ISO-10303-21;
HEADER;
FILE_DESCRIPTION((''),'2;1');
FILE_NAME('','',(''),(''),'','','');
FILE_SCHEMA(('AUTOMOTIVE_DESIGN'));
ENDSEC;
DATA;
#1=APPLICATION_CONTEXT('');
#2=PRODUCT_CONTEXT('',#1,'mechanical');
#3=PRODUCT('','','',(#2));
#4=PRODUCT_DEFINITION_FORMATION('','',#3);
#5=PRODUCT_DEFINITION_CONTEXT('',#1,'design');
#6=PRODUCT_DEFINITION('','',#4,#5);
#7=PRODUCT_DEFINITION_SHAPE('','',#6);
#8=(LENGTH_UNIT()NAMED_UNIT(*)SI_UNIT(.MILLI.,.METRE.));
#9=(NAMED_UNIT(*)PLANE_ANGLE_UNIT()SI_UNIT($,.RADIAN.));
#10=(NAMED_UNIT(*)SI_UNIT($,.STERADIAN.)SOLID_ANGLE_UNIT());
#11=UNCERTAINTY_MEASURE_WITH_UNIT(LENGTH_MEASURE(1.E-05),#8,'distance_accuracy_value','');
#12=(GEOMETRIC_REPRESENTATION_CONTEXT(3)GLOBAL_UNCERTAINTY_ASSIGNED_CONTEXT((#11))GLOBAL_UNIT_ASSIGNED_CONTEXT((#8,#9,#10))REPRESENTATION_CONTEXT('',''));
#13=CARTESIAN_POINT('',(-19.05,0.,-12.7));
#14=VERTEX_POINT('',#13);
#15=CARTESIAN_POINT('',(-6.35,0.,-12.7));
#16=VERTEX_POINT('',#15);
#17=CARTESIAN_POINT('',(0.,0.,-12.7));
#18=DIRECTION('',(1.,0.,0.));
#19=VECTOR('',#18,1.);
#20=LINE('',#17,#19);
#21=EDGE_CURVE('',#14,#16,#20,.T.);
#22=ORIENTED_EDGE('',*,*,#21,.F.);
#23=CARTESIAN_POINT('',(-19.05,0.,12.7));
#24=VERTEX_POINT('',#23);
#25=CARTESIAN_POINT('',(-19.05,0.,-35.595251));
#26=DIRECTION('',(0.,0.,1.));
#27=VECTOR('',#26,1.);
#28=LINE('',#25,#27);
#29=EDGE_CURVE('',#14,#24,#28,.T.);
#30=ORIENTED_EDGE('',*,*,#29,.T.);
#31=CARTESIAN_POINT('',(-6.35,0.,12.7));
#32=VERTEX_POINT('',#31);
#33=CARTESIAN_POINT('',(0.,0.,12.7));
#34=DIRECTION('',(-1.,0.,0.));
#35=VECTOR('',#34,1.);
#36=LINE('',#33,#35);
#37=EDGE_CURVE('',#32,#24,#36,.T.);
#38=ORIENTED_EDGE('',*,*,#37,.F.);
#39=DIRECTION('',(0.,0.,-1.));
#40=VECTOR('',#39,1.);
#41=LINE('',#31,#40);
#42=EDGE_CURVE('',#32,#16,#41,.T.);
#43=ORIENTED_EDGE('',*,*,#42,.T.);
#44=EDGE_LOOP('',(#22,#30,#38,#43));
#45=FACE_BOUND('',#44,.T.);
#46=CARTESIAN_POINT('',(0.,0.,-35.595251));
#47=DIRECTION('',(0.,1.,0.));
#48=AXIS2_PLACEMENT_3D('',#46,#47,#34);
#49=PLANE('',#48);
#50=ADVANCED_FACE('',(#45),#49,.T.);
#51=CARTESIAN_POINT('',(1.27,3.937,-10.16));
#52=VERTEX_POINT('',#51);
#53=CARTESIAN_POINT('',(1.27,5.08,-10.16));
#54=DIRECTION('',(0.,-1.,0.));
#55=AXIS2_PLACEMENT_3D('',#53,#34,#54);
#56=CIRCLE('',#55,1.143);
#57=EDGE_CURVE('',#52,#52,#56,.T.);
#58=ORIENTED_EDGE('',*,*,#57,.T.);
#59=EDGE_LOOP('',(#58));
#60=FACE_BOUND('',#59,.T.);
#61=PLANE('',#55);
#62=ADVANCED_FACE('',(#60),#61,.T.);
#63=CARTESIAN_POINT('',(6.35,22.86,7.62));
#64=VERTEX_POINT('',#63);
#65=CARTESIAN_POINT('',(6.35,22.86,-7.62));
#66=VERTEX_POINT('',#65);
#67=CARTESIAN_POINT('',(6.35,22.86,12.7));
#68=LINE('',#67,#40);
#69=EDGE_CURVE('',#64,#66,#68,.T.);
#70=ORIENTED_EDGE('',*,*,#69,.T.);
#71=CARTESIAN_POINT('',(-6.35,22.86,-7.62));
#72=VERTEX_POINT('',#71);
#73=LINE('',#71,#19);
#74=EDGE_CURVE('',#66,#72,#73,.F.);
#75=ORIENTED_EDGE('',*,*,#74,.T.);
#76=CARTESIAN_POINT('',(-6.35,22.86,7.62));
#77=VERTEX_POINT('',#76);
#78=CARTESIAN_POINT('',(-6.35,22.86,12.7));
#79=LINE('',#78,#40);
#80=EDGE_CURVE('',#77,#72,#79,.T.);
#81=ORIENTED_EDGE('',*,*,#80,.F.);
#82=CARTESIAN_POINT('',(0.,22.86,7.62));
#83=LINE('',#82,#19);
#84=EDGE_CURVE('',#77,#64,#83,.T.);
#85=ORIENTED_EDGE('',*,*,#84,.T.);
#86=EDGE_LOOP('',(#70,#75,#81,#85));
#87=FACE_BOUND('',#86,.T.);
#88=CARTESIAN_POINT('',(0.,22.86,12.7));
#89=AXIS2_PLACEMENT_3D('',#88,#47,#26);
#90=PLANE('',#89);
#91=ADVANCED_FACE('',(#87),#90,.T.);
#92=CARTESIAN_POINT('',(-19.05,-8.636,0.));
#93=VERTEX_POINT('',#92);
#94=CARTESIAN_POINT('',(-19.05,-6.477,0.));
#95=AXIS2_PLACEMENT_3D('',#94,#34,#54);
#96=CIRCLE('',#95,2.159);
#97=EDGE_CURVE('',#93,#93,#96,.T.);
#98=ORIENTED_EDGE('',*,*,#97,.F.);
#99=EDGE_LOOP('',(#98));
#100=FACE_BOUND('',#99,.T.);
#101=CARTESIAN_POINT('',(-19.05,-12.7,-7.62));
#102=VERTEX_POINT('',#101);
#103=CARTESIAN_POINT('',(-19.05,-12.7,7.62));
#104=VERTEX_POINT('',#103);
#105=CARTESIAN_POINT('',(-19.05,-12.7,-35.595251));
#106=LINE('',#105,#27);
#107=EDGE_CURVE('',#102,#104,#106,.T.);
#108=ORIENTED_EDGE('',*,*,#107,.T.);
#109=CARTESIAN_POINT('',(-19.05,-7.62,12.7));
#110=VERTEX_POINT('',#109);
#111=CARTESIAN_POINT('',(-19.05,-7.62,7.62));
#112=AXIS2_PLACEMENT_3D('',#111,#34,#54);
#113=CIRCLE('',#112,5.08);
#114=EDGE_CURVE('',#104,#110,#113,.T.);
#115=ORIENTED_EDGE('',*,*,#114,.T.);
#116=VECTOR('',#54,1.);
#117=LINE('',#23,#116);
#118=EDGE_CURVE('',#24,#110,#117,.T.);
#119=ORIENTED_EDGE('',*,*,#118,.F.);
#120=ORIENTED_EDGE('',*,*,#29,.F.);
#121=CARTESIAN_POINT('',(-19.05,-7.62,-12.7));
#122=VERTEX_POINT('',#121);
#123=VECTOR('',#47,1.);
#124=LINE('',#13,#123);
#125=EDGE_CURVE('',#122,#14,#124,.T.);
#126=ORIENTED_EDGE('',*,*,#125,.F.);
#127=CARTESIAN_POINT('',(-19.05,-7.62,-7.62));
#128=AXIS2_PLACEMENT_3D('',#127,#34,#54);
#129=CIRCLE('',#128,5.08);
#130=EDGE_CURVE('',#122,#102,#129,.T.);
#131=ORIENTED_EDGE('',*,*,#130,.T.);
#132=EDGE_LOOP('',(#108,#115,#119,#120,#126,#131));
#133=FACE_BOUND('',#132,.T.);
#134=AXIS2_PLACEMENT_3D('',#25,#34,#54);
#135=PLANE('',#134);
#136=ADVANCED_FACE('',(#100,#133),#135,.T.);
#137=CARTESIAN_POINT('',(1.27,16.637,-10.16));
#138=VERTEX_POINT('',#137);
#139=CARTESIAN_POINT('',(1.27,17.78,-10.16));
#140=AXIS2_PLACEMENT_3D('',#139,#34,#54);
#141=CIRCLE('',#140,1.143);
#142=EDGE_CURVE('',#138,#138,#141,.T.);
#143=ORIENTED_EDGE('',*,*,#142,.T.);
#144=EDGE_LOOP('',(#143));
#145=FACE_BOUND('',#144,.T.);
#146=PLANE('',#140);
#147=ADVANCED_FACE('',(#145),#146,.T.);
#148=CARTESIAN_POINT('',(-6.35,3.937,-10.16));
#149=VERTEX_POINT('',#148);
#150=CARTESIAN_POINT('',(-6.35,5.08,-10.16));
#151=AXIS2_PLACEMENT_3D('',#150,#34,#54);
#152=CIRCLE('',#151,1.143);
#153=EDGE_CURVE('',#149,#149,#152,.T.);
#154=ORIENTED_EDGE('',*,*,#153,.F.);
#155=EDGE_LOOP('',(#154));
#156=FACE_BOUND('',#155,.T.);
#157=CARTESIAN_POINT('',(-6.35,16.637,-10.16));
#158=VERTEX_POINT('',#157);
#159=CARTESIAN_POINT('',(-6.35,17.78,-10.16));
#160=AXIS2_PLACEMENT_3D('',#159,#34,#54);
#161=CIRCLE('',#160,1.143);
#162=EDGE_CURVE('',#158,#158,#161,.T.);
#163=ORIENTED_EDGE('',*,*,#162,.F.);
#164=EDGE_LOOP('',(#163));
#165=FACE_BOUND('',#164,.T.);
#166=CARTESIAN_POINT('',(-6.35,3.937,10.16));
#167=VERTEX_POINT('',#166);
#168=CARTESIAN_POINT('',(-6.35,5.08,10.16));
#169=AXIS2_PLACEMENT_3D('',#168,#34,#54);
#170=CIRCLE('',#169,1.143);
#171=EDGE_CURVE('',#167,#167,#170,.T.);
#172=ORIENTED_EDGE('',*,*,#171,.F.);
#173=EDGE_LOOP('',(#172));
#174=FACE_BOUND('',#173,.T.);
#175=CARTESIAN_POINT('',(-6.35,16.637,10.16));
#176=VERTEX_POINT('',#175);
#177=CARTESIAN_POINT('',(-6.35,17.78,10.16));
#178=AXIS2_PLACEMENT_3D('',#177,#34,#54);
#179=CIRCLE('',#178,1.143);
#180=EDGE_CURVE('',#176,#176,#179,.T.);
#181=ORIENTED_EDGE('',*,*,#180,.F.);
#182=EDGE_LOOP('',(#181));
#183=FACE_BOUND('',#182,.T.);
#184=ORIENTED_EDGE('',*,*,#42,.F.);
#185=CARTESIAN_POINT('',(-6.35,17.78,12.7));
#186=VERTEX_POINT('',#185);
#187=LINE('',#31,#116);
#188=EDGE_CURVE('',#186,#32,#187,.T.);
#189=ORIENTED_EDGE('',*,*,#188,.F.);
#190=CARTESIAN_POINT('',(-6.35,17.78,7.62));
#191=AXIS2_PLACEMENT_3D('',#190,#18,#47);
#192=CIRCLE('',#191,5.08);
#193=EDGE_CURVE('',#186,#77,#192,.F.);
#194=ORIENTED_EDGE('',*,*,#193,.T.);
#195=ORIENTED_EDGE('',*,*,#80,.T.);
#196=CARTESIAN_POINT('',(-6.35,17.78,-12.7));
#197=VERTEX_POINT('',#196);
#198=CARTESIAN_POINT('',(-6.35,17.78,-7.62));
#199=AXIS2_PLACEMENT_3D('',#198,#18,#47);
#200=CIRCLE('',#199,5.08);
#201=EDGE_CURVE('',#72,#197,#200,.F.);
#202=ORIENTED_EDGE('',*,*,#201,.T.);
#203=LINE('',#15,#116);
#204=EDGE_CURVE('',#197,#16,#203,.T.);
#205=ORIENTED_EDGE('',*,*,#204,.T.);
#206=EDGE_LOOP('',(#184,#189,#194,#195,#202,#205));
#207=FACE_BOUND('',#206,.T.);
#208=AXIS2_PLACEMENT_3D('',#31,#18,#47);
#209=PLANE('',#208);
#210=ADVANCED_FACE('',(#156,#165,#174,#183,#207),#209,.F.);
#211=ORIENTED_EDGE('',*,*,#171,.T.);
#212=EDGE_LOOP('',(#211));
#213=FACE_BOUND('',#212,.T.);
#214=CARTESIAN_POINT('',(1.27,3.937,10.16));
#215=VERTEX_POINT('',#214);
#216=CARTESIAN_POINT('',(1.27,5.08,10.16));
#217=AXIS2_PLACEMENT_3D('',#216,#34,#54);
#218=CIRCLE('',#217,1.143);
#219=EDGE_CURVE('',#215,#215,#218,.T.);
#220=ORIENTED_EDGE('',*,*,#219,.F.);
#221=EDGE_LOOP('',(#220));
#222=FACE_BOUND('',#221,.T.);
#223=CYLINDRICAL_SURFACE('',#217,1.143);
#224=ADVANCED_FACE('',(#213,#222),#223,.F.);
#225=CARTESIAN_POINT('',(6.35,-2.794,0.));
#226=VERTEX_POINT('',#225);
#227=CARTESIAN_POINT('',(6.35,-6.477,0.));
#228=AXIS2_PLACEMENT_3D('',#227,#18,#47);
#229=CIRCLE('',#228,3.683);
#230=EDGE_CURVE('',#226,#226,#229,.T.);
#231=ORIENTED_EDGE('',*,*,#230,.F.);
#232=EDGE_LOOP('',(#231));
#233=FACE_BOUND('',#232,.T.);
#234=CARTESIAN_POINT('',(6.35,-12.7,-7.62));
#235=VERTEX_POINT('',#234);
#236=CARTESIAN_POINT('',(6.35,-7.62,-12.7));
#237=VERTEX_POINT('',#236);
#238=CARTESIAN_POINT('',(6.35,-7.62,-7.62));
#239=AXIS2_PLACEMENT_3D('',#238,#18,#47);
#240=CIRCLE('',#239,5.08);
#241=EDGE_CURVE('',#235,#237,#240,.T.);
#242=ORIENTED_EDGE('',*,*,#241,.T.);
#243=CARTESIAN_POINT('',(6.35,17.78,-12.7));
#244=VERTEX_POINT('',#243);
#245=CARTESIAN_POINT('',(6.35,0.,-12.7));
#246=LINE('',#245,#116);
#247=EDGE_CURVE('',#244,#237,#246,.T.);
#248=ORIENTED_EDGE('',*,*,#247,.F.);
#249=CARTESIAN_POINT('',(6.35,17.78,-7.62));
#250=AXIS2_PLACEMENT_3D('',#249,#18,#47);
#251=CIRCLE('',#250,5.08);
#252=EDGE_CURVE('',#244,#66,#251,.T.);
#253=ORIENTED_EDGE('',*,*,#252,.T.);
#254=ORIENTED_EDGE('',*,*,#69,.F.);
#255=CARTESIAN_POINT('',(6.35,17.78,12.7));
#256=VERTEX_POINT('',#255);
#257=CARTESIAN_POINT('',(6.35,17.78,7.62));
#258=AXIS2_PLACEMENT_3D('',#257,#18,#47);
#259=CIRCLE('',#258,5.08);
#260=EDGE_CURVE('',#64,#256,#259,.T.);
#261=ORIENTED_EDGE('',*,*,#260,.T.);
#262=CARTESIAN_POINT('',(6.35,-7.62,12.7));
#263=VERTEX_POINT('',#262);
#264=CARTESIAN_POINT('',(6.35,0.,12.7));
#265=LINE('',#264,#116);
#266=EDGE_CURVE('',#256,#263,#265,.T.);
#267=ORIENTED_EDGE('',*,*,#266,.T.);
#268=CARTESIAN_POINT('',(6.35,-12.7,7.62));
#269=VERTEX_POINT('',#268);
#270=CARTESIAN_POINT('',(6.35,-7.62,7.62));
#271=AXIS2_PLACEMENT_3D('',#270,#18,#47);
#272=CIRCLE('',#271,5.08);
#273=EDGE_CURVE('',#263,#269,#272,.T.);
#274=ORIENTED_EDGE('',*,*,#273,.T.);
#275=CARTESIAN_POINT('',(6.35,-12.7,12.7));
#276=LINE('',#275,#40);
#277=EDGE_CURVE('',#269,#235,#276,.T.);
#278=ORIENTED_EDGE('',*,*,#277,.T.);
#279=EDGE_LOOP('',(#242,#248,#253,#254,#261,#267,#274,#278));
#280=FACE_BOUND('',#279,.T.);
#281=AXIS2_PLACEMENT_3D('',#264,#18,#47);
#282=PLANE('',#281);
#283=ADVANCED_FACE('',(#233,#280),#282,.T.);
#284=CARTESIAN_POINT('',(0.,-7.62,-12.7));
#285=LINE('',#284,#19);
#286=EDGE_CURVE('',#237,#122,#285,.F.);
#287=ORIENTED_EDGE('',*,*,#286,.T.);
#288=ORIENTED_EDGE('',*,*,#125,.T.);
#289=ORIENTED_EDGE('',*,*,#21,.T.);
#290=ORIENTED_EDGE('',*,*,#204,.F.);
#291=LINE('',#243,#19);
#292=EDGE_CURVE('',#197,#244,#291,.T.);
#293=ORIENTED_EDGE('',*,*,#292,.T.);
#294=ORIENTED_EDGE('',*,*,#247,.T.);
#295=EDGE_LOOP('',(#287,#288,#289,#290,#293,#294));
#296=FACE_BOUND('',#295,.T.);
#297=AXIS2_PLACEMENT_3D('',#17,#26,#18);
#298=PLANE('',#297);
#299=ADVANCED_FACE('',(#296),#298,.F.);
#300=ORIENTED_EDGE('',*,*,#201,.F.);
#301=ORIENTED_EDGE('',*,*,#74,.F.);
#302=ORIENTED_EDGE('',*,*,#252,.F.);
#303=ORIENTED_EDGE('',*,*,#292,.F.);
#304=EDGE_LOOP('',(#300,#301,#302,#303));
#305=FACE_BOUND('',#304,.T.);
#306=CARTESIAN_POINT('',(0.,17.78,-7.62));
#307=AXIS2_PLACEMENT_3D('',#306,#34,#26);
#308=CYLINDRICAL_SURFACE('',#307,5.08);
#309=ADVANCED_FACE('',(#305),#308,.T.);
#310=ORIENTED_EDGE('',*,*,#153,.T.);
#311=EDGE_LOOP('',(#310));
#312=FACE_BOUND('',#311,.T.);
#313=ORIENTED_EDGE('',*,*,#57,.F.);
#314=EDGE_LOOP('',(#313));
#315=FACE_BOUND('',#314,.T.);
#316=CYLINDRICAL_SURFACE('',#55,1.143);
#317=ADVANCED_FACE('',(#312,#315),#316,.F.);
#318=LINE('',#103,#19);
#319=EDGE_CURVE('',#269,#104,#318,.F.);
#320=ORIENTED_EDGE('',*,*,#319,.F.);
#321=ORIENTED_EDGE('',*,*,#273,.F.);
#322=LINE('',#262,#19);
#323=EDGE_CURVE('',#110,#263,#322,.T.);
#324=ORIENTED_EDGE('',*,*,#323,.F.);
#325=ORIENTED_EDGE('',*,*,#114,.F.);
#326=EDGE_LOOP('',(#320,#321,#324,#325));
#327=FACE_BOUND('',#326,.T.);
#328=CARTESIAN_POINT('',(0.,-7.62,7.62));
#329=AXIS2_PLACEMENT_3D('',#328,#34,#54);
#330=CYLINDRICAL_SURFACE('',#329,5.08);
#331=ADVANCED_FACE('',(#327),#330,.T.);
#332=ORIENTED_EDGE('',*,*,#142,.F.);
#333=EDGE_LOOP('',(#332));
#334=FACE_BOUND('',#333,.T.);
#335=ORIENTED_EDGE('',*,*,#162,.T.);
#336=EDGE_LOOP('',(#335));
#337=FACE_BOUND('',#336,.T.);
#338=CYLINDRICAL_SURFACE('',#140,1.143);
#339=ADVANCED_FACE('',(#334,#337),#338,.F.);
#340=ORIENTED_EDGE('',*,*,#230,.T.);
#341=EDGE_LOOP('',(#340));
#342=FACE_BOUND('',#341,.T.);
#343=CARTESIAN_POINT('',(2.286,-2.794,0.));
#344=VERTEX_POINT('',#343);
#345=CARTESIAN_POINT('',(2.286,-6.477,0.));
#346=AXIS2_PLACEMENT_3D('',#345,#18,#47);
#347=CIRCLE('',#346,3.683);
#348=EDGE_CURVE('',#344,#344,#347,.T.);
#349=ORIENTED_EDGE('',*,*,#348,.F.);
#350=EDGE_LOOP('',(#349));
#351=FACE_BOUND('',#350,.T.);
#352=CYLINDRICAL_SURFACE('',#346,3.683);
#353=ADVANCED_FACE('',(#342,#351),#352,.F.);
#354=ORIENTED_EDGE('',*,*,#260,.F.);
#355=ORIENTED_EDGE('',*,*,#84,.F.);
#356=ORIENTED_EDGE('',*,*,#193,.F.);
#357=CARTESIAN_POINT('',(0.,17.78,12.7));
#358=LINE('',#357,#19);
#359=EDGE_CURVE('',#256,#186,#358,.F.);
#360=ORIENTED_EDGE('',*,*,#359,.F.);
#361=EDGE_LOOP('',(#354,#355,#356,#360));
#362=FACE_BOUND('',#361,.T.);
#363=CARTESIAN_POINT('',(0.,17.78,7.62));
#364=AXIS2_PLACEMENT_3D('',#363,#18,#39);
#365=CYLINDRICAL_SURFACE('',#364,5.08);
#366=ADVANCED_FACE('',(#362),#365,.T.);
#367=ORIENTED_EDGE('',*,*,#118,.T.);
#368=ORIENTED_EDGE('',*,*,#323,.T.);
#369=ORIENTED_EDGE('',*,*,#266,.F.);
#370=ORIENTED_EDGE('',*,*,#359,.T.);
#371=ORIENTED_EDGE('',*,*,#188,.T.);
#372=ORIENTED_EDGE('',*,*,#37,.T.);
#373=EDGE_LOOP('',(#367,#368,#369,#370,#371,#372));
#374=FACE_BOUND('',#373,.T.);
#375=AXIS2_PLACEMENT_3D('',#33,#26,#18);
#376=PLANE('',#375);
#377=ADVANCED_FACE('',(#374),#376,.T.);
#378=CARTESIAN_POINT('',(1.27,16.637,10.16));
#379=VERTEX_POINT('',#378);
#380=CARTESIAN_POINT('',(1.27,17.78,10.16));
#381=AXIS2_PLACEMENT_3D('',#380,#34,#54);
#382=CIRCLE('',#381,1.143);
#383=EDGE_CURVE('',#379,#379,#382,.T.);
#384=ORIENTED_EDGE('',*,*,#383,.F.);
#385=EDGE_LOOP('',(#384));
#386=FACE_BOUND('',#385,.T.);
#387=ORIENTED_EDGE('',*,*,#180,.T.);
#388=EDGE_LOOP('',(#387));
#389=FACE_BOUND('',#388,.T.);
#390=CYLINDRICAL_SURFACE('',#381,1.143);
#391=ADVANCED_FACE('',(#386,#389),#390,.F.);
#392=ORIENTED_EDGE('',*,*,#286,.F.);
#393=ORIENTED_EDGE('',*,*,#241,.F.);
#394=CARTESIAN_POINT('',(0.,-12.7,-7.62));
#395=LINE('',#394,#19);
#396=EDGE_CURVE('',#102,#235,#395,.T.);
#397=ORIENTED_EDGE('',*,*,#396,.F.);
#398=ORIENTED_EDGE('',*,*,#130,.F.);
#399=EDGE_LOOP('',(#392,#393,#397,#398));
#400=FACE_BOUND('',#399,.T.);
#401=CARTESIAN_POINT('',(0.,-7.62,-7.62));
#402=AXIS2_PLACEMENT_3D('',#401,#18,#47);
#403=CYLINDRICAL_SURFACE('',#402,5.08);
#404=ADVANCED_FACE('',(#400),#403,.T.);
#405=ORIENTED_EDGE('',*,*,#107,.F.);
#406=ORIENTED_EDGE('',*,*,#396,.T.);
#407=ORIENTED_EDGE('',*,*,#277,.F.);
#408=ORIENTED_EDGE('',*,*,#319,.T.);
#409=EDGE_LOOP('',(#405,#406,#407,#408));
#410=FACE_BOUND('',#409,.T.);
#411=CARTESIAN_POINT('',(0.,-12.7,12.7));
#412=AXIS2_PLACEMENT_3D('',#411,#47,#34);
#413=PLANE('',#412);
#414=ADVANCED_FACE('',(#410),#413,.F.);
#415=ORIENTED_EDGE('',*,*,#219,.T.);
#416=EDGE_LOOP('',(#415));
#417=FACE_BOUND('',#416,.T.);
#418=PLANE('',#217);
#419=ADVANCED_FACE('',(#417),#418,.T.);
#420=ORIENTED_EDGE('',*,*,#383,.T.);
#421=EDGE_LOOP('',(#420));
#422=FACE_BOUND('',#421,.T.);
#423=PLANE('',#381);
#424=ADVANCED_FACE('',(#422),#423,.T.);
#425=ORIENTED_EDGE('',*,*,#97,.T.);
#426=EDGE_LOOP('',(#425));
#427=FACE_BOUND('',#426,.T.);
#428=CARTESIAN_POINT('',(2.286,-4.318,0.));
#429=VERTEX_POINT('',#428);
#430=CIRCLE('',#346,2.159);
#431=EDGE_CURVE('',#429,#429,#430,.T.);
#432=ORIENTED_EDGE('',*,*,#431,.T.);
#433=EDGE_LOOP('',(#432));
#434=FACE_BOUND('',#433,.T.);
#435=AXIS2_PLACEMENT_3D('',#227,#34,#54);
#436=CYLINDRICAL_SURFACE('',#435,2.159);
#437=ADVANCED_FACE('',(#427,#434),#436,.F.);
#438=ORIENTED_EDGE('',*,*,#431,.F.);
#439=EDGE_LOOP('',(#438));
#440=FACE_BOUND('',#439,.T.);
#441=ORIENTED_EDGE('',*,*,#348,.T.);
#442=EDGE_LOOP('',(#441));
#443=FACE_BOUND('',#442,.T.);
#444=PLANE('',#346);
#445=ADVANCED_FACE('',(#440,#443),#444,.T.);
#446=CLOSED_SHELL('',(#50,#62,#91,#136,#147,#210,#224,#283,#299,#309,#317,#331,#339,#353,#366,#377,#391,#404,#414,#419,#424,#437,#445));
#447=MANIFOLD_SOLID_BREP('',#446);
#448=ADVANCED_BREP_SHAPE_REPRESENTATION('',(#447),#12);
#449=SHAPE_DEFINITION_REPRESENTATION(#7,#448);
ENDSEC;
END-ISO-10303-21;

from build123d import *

# Parameters (mm, degrees)
PROFILE_W               = 12.7
PROFILE_H               = 22.86
PROFILE_W_2             = 6.35
PROFILE_H_2             = 12.7
BOSS_EXTRUDE1_DEPTH     = 12.7
SKETCH7_W               = 19.05
SKETCH7_H               = 12.7
BOSS_EXTRUDE2_DEPTH     = 25.4
SCREWHOLE_R             = 2.159
CUT_EXTRUDE1_DEPTH      = 1
CUT_EXTRUDE1_DEPTH_BACK = 26.4
SKETCH3_R               = 3.683
SKETCH3_R_2             = 2.159
CUT_EXTRUDE2_DEPTH      = 4.064
SKETCH10_R              = 1.143
CUT_EXTRUDE3_DEPTH      = 7.62
FILLET6_R               = 5.08


with BuildPart() as part:
    # Profile → Boss-Extrude1 (new body, symmetric)
    with BuildSketch(Plane.XY):
        with Locations((0, 11.43)):
            Rectangle(PROFILE_W, PROFILE_H)
        with Locations((3.175, -6.35)):
            Rectangle(PROFILE_W_2, PROFILE_H_2)
    extrude(amount=BOSS_EXTRUDE1_DEPTH, both=True)

    # Sketch7 → Boss-Extrude2 (add)
    with BuildSketch(Plane.XY.offset(12.7)):
        with Locations((-9.525, -6.35)):
            Rectangle(SKETCH7_W, SKETCH7_H)
    extrude(amount=-BOSS_EXTRUDE2_DEPTH)

    # ScrewHole → Cut-Extrude1 (cut, two sides)
    with BuildSketch(Plane.ZY.offset(19.05)) as cut_extrude1_sk:
        with Locations((0, -6.477)):
            Circle(SCREWHOLE_R)
    extrude(amount=CUT_EXTRUDE1_DEPTH, mode=Mode.SUBTRACT)
    extrude(cut_extrude1_sk.sketch, amount=-CUT_EXTRUDE1_DEPTH_BACK, mode=Mode.SUBTRACT)

    # Sketch3 → Cut-Extrude2 (cut)
    with BuildSketch(Plane(origin=(6.35, 0, 0), x_dir=(0, 0, -1), z_dir=(1, 0, 0))):
        with Locations((0, -6.477)):
            Circle(SKETCH3_R)
        with Locations((0, -6.477)):
            Circle(SKETCH3_R_2, mode=Mode.SUBTRACT)
    extrude(amount=-CUT_EXTRUDE2_DEPTH, mode=Mode.SUBTRACT)

    # Sketch10 → Cut-Extrude3 (cut)
    with BuildSketch(Plane.ZY.offset(6.35)):
        with Locations((-10.16, 17.78)):
            Circle(SKETCH10_R)
        with Locations((10.16, 17.78)):
            Circle(SKETCH10_R)
        with Locations((10.16, 5.08)):
            Circle(SKETCH10_R)
        with Locations((-10.16, 5.08)):
            Circle(SKETCH10_R)
    extrude(amount=-CUT_EXTRUDE3_DEPTH, mode=Mode.SUBTRACT)

    # Fillet6
    fillet6_edges = [part.edges().sort_by_distance(p)[0] for p in [
        (0, 22.86, -12.7),
        (0, 22.86, 12.7),
        (-6.35, -12.7, 12.7),
        (-6.35, -12.7, -12.7),
    ]]
    fillet(fillet6_edges, radius=FILLET6_R)


solid = part.part
